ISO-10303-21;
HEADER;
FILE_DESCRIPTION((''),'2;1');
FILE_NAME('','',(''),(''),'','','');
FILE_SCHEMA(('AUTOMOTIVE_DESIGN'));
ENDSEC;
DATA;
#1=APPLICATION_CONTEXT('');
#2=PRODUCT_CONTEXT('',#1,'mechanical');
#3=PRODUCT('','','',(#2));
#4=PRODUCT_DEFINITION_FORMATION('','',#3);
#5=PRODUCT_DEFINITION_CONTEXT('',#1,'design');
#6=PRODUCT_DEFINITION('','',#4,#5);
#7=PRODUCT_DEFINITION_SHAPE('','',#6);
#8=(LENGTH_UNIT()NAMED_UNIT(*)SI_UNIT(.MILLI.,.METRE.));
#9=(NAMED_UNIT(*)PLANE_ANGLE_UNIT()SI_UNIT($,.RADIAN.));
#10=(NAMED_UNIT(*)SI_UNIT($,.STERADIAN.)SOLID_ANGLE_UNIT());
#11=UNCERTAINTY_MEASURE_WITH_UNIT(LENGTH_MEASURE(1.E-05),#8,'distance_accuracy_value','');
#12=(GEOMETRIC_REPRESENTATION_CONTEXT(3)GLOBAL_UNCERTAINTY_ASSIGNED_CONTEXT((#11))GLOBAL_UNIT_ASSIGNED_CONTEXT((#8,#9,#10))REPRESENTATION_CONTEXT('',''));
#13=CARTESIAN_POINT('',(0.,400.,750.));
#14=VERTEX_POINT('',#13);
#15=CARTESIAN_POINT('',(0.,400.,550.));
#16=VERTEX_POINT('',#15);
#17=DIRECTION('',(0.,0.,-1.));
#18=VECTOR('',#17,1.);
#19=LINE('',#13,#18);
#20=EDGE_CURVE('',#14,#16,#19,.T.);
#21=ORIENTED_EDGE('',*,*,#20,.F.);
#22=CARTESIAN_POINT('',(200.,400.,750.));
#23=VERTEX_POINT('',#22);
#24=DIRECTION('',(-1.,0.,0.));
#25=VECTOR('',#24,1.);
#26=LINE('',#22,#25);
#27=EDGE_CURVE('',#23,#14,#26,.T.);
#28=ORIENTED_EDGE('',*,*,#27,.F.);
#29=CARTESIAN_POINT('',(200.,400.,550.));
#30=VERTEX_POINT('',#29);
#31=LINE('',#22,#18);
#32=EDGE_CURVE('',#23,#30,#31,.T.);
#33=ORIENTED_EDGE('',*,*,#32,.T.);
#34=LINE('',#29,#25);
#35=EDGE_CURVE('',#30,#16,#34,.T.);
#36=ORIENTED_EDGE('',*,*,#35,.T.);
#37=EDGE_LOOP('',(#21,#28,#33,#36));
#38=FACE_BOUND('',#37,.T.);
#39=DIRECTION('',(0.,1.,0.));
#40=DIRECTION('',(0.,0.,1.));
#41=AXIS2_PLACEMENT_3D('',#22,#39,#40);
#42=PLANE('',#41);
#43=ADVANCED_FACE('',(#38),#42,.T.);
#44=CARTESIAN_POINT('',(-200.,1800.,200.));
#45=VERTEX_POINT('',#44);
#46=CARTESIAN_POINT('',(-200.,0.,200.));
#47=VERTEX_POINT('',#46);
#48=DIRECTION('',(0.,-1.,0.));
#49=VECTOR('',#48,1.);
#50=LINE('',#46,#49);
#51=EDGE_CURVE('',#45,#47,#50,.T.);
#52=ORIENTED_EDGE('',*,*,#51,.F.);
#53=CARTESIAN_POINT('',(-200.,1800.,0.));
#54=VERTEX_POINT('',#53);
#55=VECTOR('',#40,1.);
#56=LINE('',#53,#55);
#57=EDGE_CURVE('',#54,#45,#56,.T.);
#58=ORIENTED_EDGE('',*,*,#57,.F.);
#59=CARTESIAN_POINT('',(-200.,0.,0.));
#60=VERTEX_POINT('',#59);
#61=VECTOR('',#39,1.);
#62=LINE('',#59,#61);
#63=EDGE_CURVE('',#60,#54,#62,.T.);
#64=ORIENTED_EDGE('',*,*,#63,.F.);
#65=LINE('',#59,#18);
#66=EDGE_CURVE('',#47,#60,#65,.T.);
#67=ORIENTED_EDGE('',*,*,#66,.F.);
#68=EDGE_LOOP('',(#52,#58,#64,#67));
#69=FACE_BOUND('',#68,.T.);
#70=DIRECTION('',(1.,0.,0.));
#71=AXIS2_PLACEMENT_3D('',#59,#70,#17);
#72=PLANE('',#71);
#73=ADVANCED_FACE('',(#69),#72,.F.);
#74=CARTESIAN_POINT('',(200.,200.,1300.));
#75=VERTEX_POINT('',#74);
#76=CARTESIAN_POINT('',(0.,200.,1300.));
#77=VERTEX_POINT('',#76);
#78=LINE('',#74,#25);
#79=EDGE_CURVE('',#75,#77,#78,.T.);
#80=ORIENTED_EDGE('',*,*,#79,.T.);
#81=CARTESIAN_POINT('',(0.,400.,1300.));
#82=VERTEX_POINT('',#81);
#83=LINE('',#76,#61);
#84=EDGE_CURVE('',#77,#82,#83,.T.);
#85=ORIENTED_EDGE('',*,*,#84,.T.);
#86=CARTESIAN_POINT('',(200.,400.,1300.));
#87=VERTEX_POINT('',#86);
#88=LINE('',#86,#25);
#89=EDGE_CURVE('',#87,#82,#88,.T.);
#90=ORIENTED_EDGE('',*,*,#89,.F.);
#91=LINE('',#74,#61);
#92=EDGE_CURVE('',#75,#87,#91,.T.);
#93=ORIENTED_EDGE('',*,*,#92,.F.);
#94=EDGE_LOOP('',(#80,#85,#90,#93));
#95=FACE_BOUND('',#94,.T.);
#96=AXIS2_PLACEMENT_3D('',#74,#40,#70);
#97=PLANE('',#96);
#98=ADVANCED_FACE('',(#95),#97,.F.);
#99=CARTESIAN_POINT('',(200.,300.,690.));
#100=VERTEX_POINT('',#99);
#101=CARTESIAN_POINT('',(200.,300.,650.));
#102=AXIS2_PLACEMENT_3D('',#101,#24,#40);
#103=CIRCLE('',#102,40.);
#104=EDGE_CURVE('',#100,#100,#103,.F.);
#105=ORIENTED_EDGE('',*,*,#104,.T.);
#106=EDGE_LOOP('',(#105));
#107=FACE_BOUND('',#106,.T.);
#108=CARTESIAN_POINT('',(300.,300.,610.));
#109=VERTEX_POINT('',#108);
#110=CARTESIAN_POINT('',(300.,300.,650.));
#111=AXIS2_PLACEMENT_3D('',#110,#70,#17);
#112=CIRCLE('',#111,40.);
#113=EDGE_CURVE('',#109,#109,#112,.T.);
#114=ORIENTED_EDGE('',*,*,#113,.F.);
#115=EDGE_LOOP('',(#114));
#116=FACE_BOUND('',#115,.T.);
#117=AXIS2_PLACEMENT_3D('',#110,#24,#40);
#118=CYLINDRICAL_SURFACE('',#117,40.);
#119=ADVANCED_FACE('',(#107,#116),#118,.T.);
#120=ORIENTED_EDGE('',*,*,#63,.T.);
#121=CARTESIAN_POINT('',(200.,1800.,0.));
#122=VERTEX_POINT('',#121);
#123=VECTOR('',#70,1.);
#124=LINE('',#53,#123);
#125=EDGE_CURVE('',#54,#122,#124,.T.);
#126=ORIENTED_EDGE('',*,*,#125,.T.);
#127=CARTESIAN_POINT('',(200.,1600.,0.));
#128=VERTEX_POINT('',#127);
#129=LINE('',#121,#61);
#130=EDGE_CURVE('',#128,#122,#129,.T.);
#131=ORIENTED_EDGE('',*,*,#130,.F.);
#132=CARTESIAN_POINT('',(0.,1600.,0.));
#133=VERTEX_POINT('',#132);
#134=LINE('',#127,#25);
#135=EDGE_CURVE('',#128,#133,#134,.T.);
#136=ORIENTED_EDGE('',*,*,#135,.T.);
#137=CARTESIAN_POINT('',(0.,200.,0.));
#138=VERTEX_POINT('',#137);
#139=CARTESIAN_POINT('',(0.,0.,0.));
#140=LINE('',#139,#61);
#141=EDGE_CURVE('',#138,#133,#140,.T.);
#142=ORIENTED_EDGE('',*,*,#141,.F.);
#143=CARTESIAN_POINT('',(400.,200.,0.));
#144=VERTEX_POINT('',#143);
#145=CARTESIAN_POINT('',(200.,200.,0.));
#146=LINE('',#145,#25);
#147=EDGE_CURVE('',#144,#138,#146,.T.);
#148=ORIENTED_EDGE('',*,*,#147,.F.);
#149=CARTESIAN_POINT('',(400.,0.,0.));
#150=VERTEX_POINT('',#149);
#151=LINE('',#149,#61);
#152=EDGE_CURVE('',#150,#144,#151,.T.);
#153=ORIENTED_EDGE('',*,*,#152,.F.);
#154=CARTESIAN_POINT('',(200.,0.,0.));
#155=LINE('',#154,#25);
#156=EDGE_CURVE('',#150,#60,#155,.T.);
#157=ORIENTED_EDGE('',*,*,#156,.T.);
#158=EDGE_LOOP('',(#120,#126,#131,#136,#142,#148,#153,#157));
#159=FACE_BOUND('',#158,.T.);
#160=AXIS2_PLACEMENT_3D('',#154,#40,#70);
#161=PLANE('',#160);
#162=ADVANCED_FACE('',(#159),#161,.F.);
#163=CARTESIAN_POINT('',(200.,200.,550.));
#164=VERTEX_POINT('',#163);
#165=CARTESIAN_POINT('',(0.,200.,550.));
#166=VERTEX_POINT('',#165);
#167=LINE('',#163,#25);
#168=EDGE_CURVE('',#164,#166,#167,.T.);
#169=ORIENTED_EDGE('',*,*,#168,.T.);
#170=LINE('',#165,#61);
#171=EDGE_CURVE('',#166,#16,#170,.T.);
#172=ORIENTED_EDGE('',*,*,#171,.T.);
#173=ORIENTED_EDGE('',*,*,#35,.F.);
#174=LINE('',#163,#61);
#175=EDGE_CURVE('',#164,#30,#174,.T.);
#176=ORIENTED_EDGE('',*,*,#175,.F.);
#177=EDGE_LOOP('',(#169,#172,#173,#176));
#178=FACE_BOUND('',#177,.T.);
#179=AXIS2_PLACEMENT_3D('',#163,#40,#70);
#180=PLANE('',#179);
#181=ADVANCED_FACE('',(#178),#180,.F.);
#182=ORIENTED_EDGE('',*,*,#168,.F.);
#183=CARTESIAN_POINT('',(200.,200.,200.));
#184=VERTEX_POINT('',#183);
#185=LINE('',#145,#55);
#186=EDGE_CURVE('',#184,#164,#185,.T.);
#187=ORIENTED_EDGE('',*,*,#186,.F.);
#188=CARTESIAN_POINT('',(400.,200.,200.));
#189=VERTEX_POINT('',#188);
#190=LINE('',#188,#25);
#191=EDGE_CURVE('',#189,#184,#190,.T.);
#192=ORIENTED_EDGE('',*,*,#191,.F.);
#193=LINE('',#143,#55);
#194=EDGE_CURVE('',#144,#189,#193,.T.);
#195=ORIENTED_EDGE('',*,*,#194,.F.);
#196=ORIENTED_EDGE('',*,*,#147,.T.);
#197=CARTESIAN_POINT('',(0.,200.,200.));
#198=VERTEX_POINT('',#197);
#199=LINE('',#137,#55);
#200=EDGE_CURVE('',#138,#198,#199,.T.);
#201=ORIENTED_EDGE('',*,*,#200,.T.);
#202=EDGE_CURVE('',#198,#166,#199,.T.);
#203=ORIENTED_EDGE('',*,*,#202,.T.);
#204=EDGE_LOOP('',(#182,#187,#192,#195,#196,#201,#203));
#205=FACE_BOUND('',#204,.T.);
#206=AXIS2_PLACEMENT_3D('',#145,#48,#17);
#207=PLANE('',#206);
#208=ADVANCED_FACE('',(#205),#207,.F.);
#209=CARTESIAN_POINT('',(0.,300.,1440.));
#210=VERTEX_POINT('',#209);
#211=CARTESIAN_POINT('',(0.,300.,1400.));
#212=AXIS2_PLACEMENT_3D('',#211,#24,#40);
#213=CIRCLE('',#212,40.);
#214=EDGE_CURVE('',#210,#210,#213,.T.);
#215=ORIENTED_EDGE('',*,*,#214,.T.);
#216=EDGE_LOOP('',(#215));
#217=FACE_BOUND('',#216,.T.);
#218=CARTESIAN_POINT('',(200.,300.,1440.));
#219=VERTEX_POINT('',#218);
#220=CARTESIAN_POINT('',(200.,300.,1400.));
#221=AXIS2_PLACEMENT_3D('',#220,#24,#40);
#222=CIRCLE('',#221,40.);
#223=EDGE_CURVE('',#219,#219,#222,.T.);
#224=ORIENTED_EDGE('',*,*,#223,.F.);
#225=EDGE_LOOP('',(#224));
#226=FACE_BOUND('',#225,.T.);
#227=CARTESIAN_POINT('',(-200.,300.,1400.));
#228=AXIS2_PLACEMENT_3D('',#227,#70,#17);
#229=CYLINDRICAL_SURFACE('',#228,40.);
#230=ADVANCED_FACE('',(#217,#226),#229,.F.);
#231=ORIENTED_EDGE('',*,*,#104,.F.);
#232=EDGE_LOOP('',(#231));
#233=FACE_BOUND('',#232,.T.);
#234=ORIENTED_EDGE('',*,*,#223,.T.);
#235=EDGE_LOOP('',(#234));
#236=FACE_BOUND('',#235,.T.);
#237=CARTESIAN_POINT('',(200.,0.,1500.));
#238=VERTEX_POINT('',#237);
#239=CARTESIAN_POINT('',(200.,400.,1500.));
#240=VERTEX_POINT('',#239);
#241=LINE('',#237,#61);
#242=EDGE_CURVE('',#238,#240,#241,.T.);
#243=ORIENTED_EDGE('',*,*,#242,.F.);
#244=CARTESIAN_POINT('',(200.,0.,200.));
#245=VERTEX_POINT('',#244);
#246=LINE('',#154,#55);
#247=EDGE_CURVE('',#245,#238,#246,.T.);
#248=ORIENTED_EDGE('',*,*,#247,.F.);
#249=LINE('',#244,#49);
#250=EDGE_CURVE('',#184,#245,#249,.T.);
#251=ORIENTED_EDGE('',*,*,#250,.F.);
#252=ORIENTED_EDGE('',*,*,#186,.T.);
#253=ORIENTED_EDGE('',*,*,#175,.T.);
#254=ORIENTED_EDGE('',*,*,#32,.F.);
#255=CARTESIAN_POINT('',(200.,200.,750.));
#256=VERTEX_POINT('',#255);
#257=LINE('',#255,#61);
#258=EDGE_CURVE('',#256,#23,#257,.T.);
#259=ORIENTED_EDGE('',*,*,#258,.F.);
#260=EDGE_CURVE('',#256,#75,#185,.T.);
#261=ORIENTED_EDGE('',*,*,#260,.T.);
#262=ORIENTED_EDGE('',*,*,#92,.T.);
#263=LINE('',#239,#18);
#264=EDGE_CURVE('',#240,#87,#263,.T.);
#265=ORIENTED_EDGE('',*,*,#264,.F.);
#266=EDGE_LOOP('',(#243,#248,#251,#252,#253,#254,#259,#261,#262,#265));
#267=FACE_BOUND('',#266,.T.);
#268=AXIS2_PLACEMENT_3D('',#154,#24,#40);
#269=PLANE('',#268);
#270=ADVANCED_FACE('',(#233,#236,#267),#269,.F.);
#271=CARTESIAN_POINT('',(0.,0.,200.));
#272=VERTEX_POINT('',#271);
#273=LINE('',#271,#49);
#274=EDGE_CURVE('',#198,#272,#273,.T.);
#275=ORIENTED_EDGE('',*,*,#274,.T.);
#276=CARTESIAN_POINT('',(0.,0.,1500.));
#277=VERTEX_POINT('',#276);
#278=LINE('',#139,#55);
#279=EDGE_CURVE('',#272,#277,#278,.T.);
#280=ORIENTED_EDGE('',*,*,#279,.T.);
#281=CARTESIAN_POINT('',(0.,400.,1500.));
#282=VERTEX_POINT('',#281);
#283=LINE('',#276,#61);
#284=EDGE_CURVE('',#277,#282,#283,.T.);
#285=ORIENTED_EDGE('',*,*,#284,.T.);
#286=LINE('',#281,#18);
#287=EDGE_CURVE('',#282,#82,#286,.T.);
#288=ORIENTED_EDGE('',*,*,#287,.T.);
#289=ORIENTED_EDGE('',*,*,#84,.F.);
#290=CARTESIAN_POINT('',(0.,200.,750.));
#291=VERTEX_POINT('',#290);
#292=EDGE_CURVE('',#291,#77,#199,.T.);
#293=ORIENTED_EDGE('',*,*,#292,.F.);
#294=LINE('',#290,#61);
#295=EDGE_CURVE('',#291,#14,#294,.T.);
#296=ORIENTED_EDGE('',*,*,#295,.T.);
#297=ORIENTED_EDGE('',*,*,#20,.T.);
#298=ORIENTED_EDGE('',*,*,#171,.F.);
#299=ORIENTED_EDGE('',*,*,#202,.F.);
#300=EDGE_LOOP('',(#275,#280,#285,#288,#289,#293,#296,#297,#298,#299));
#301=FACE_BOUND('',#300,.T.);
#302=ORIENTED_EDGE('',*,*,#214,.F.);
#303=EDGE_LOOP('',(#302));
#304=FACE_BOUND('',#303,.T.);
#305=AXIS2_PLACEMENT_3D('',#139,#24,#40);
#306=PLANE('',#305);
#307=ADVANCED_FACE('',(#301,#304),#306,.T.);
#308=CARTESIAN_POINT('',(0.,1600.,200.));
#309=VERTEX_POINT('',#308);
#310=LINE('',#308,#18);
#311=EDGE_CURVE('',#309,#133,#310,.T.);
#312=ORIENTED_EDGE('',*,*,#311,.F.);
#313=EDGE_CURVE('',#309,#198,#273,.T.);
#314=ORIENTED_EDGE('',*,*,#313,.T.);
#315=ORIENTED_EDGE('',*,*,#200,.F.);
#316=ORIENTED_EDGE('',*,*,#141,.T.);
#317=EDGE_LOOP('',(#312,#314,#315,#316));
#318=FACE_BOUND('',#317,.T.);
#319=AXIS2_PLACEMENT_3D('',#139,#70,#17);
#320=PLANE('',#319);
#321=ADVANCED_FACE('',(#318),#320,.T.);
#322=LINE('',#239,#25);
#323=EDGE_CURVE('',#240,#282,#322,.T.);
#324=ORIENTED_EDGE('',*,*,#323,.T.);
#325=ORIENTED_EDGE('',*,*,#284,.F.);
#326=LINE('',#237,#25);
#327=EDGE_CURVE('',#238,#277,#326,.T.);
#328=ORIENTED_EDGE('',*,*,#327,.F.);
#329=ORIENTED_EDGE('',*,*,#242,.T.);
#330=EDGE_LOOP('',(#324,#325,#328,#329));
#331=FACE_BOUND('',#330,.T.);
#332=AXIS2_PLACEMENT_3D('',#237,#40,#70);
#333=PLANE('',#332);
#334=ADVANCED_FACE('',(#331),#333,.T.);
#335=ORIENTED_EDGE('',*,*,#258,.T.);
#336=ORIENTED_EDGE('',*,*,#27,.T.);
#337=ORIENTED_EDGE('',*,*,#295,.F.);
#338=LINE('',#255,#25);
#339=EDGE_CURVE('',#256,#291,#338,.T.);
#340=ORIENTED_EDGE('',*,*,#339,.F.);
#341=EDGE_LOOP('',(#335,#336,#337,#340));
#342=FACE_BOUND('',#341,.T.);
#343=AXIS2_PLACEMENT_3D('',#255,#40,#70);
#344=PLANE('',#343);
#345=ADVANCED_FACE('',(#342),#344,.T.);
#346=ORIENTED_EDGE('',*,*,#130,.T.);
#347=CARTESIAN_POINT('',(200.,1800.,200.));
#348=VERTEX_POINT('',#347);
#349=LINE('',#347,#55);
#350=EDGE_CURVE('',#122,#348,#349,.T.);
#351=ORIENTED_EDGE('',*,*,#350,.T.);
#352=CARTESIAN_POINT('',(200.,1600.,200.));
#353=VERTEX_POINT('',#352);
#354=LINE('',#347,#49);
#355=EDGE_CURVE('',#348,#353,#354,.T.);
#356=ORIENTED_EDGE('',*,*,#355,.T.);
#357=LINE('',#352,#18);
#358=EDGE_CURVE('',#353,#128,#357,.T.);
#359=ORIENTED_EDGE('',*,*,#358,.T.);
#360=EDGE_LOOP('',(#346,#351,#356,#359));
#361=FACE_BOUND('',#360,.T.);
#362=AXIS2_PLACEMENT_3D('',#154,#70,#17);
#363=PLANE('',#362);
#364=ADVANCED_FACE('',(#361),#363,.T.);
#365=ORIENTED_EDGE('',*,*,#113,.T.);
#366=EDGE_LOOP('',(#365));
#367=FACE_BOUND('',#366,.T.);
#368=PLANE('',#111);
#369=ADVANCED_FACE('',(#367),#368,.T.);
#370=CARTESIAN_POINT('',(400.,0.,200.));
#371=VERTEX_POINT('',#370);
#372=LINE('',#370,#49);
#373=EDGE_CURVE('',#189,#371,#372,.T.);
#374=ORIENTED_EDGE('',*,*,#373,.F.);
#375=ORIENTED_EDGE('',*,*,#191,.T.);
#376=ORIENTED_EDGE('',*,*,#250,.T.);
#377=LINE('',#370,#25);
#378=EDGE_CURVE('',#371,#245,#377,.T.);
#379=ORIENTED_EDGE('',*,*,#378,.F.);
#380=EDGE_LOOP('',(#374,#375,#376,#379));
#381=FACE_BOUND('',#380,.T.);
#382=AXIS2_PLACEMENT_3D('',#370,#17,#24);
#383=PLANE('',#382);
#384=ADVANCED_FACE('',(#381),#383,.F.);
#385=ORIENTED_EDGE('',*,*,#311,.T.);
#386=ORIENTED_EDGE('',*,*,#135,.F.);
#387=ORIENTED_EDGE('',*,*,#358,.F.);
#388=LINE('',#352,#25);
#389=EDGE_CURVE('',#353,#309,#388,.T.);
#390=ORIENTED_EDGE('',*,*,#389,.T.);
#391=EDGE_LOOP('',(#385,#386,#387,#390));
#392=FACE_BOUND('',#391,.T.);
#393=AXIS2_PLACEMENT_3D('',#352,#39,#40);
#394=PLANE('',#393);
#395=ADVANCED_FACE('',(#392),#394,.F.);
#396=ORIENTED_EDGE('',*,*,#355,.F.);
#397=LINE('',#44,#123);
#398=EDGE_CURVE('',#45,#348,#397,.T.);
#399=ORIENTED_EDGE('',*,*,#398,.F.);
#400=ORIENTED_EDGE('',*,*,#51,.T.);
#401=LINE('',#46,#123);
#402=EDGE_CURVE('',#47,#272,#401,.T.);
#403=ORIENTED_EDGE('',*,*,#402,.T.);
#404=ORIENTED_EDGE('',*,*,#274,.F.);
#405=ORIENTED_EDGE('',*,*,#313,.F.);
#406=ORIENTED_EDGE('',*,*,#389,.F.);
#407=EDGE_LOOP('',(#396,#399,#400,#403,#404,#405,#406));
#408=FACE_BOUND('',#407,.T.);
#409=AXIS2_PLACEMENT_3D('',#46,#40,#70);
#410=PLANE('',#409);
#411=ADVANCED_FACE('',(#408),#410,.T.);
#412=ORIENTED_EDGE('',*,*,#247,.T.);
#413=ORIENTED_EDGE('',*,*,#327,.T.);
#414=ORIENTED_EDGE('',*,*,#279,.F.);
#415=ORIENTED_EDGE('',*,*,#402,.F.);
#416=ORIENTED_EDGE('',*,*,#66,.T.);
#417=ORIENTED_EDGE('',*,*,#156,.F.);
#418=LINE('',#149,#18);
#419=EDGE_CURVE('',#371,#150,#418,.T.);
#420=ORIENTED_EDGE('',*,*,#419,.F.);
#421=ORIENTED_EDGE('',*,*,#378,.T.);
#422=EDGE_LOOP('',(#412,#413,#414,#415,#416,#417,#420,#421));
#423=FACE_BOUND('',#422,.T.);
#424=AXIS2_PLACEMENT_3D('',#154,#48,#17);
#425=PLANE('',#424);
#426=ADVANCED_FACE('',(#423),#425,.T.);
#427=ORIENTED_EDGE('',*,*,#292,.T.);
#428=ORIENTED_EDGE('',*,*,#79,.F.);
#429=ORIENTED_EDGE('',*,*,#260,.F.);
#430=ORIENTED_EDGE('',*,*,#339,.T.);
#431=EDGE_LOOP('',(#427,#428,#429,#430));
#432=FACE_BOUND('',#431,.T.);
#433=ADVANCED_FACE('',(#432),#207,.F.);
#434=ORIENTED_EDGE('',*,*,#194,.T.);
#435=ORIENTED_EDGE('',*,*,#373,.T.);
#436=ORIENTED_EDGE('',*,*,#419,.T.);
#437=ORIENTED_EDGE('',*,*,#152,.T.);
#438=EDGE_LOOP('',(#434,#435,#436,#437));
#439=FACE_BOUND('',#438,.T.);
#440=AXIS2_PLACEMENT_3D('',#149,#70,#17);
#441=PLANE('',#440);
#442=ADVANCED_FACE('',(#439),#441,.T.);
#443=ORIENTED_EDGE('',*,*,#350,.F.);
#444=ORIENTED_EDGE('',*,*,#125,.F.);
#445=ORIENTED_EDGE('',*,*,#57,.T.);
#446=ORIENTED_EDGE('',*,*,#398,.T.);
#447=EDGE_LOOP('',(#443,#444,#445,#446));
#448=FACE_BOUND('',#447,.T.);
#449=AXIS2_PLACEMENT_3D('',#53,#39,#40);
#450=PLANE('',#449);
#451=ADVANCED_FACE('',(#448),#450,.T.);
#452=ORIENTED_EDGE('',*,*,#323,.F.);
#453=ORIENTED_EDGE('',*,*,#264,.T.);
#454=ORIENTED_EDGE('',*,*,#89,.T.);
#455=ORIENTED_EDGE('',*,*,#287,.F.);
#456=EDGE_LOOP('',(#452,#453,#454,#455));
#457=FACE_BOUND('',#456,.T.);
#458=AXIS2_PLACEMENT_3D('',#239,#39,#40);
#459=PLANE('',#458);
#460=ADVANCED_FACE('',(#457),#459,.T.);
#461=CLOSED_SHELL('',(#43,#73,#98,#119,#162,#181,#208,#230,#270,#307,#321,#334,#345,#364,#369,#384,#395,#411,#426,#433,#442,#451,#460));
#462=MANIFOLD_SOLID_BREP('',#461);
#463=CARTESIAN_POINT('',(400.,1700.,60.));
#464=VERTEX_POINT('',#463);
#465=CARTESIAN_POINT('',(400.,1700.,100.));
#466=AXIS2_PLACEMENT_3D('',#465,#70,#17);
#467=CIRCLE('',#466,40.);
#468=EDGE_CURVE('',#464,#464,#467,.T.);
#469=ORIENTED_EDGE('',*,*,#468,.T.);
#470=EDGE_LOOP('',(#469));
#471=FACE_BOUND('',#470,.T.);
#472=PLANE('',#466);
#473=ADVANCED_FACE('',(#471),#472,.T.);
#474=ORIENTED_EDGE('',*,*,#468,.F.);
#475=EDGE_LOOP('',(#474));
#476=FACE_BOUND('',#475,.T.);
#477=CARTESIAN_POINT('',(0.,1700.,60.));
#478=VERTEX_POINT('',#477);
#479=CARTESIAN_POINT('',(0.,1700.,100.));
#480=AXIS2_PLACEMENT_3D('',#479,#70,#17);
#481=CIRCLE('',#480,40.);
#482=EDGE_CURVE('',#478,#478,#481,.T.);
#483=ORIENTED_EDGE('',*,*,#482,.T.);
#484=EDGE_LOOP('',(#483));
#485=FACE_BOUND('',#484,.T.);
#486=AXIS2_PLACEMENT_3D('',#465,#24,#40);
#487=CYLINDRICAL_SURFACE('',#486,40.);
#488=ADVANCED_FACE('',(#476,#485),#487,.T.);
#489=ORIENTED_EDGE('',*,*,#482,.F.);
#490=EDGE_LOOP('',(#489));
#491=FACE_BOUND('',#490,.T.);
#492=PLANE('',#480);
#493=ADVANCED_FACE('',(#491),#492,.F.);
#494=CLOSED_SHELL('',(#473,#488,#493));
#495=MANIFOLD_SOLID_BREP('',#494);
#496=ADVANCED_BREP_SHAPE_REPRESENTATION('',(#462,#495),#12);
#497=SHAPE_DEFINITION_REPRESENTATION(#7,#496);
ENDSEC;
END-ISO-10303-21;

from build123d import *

# Parameters (mm, degrees)
LOWERBASE_W             = 200
LOWERBASE_H             = 200
BOSS_EXTRUDE1_DEPTH     = 200
UPPERBASE_W             = 200
UPPERBASE_H             = 1800
BOSS_EXTRUDE2_DEPTH     = 200
TOPPIVOT_W              = 200
TOPPIVOT_H              = 200
BOSS_EXTRUDE3_DEPTH     = 200
PRESSTABLE_W            = 200
PRESSTABLE_H            = 200
BOSS_EXTRUDE4_DEPTH     = 400
MIDDLERIVET_R           = 40
BOSS_EXTRUDE5_DEPTH     = 300
TOPRIVET_R              = 40
BOSS_EXTRUDE6_DEPTH     = 400
SKETCH6_R               = 40
CUT_EXTRUDE1_DEPTH      = 401
CUT_EXTRUDE1_DEPTH_BACK = 201


with BuildPart() as part:
    # LowerBase → Boss-Extrude1 (new body)
    with BuildSketch(Plane(origin=(0, 0, 0), x_dir=(0, 0, -1), z_dir=(1, 0, 0))):
        Polygon((-1500, 0), (0, 0), (0, 200), (-550, 200), (-750, 200), (-1300, 200), (-1500, 200), align=None)
        with Locations((-1400, 300)):
            Rectangle(LOWERBASE_W, LOWERBASE_H)
        with Locations((-650, 300)):
            Rectangle(LOWERBASE_W, LOWERBASE_H)
    extrude(amount=BOSS_EXTRUDE1_DEPTH)

    # UpperBase → Boss-Extrude2 (add)
    with BuildSketch(Plane(origin=(0, 0, 0), x_dir=(0, 0, -1), z_dir=(1, 0, 0))):
        with Locations((-100, 900)):
            Rectangle(UPPERBASE_W, UPPERBASE_H)
    extrude(amount=-BOSS_EXTRUDE2_DEPTH)

    # TopPivot → Boss-Extrude3 (add)
    with BuildSketch(Plane(origin=(0, 0, 0), x_dir=(0, 0, -1), z_dir=(1, 0, 0))):
        with Locations((-100, 1700)):
            Rectangle(TOPPIVOT_W, TOPPIVOT_H)
    extrude(amount=BOSS_EXTRUDE3_DEPTH)

    # PressTable → Boss-Extrude4 (add)
    with BuildSketch(Plane(origin=(0, 0, 0), x_dir=(0, 0, -1), z_dir=(1, 0, 0))):
        with Locations((-100, 100)):
            Rectangle(PRESSTABLE_W, PRESSTABLE_H)
    extrude(amount=BOSS_EXTRUDE4_DEPTH)

    # MiddleRivet → Boss-Extrude5 (add)
    with BuildSketch(Plane(origin=(0, 0, 0), x_dir=(0, 0, -1), z_dir=(1, 0, 0))):
        with Locations((-650, 300)):
            Circle(MIDDLERIVET_R)
    extrude(amount=BOSS_EXTRUDE5_DEPTH)

    # Sketch6 → Cut-Extrude1 (cut, two sides)
    with BuildSketch(Plane(origin=(0, 0, 0), x_dir=(0, 0, -1), z_dir=(1, 0, 0))) as cut_extrude1_sk:
        with Locations((-1400, 300)):
            Circle(SKETCH6_R)
    extrude(amount=CUT_EXTRUDE1_DEPTH, mode=Mode.SUBTRACT)
    extrude(cut_extrude1_sk.sketch, amount=-CUT_EXTRUDE1_DEPTH_BACK, mode=Mode.SUBTRACT)


with BuildPart() as body_2:
    # TopRivet → Boss-Extrude6 (new body)
    with BuildSketch(Plane(origin=(0, 0, 0), x_dir=(0, 0, -1), z_dir=(1, 0, 0))):
        with Locations((-100, 1700)):
            Circle(TOPRIVET_R)
    extrude(amount=BOSS_EXTRUDE6_DEPTH)


solid = Compound([part.part, body_2.part])
